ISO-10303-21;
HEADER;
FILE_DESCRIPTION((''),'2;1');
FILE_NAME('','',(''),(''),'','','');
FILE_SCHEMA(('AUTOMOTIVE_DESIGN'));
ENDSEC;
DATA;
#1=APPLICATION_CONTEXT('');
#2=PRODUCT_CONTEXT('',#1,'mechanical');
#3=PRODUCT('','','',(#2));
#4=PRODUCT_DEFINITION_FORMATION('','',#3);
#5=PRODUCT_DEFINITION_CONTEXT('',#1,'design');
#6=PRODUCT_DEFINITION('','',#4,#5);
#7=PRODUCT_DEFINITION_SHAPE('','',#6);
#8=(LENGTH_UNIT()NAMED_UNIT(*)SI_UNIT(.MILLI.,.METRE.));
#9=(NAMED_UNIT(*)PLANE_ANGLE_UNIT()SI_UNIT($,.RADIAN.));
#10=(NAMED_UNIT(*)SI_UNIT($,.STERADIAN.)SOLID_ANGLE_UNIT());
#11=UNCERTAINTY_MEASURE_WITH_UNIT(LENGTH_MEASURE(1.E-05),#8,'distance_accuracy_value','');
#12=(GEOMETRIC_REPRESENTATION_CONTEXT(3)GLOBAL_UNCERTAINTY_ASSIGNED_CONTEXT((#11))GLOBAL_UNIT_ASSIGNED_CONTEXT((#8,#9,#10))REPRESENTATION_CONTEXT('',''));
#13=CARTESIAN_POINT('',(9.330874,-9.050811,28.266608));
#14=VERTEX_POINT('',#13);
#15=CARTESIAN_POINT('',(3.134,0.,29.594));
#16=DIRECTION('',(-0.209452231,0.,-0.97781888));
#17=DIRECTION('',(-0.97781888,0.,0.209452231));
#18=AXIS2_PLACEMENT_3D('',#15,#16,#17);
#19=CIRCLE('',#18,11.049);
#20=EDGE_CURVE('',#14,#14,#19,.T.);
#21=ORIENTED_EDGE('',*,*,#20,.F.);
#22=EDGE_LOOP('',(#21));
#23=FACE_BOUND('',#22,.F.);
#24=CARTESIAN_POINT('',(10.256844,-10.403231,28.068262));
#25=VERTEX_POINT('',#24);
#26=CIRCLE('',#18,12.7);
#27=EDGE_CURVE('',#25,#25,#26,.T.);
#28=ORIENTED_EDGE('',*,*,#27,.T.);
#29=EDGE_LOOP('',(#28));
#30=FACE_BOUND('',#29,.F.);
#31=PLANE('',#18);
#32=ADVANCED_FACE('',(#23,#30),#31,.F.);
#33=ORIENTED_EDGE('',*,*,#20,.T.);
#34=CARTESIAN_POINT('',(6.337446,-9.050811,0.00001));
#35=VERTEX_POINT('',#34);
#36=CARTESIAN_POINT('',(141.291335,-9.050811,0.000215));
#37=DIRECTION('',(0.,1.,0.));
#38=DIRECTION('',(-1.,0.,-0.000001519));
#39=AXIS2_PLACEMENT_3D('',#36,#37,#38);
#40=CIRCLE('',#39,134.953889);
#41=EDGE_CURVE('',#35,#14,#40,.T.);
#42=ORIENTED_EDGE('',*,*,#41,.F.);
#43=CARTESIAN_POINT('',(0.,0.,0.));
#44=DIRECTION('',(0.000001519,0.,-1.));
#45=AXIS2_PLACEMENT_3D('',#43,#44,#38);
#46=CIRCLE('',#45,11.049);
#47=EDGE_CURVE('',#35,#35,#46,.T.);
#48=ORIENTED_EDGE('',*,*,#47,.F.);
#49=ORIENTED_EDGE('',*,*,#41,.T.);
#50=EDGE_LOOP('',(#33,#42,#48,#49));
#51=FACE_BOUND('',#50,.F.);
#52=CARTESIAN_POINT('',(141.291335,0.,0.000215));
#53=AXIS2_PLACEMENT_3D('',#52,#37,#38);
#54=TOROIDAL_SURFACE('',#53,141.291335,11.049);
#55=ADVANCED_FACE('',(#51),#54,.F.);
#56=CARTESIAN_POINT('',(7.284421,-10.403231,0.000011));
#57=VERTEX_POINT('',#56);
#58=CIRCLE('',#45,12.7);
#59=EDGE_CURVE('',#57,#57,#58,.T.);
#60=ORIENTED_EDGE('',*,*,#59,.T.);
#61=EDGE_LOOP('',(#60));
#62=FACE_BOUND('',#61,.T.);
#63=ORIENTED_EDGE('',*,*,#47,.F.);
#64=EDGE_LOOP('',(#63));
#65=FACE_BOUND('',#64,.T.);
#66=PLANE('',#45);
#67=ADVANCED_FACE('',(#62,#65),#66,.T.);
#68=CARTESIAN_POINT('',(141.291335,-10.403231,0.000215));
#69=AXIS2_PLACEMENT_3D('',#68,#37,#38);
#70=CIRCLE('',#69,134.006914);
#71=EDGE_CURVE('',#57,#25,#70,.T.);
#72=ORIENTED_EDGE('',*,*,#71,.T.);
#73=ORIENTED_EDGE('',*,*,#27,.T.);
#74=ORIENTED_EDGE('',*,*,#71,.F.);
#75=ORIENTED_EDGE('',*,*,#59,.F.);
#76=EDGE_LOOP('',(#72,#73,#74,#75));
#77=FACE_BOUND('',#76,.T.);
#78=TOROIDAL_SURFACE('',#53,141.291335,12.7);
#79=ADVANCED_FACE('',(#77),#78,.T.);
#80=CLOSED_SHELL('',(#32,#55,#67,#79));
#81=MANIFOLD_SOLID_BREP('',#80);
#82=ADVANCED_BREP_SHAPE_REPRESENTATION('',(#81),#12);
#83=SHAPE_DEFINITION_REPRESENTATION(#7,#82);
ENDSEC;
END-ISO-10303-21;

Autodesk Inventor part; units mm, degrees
sketch "Sketch" plane through (0, 0, 0) normal (0, 0, -1) x (0.5736, -0.8192, 0)
  circle A0 centre (0, 0) radius 12.7
  circle A1 centre (0, 0) radius 11.049
  dimension "d0" = 25.4
  dimension "d1" = 1.651
ref_plane "Start Plane" through (0, 0, 0) normal (1, 0, 0) x (0, 1, 0)
ref_plane "End Plane" through (29.8148, 0, 0) normal (1, 0, 0) x (0, 1, 0)
sketch "Sketch2" plane through (0, 0, 0) normal (1, 0, 0) x (0, 1, 0)
  line L0 (0, 0) -> (10, 0)
ref_plane "Work Plane3" through (0, 0, 0) normal (0, 0, -1) x (0, 1, 0)
sketch "Sketch3" plane through (0, 0, 0) normal (0, 0, -1) x (0, 1, 0)
  line L0 (-2, 0) -> (12, 0)
  line L1 (-17.78, 29.8148) -> (17.78, 29.8148)
  dimension "d9" = 29.8148
ref_plane "Orientation Work Plane" through (0, 0, 0) normal (0, 0, -1) x (0.5736, -0.8192, 0)
sketch3d "Sweep Path"
  arc A0 (0, 0, 0) -> (3.134, 0, 29.594) centre (141.2954, 0, 0) ccw
sweep "Body" add profiles "Sketch" path "Sweep Path"
equation "\"G_OFFSET_START\" = 0"
equation "\"G_OFFSET_END\" = 0"
equation "\"d5\" = d2 + G_OFFSET_END"
equation "\"G_L\" = d9"
equation "\"d2\" = 29.814793"
properties part number "4130_1x0.065" material "Steel, Alloy"
